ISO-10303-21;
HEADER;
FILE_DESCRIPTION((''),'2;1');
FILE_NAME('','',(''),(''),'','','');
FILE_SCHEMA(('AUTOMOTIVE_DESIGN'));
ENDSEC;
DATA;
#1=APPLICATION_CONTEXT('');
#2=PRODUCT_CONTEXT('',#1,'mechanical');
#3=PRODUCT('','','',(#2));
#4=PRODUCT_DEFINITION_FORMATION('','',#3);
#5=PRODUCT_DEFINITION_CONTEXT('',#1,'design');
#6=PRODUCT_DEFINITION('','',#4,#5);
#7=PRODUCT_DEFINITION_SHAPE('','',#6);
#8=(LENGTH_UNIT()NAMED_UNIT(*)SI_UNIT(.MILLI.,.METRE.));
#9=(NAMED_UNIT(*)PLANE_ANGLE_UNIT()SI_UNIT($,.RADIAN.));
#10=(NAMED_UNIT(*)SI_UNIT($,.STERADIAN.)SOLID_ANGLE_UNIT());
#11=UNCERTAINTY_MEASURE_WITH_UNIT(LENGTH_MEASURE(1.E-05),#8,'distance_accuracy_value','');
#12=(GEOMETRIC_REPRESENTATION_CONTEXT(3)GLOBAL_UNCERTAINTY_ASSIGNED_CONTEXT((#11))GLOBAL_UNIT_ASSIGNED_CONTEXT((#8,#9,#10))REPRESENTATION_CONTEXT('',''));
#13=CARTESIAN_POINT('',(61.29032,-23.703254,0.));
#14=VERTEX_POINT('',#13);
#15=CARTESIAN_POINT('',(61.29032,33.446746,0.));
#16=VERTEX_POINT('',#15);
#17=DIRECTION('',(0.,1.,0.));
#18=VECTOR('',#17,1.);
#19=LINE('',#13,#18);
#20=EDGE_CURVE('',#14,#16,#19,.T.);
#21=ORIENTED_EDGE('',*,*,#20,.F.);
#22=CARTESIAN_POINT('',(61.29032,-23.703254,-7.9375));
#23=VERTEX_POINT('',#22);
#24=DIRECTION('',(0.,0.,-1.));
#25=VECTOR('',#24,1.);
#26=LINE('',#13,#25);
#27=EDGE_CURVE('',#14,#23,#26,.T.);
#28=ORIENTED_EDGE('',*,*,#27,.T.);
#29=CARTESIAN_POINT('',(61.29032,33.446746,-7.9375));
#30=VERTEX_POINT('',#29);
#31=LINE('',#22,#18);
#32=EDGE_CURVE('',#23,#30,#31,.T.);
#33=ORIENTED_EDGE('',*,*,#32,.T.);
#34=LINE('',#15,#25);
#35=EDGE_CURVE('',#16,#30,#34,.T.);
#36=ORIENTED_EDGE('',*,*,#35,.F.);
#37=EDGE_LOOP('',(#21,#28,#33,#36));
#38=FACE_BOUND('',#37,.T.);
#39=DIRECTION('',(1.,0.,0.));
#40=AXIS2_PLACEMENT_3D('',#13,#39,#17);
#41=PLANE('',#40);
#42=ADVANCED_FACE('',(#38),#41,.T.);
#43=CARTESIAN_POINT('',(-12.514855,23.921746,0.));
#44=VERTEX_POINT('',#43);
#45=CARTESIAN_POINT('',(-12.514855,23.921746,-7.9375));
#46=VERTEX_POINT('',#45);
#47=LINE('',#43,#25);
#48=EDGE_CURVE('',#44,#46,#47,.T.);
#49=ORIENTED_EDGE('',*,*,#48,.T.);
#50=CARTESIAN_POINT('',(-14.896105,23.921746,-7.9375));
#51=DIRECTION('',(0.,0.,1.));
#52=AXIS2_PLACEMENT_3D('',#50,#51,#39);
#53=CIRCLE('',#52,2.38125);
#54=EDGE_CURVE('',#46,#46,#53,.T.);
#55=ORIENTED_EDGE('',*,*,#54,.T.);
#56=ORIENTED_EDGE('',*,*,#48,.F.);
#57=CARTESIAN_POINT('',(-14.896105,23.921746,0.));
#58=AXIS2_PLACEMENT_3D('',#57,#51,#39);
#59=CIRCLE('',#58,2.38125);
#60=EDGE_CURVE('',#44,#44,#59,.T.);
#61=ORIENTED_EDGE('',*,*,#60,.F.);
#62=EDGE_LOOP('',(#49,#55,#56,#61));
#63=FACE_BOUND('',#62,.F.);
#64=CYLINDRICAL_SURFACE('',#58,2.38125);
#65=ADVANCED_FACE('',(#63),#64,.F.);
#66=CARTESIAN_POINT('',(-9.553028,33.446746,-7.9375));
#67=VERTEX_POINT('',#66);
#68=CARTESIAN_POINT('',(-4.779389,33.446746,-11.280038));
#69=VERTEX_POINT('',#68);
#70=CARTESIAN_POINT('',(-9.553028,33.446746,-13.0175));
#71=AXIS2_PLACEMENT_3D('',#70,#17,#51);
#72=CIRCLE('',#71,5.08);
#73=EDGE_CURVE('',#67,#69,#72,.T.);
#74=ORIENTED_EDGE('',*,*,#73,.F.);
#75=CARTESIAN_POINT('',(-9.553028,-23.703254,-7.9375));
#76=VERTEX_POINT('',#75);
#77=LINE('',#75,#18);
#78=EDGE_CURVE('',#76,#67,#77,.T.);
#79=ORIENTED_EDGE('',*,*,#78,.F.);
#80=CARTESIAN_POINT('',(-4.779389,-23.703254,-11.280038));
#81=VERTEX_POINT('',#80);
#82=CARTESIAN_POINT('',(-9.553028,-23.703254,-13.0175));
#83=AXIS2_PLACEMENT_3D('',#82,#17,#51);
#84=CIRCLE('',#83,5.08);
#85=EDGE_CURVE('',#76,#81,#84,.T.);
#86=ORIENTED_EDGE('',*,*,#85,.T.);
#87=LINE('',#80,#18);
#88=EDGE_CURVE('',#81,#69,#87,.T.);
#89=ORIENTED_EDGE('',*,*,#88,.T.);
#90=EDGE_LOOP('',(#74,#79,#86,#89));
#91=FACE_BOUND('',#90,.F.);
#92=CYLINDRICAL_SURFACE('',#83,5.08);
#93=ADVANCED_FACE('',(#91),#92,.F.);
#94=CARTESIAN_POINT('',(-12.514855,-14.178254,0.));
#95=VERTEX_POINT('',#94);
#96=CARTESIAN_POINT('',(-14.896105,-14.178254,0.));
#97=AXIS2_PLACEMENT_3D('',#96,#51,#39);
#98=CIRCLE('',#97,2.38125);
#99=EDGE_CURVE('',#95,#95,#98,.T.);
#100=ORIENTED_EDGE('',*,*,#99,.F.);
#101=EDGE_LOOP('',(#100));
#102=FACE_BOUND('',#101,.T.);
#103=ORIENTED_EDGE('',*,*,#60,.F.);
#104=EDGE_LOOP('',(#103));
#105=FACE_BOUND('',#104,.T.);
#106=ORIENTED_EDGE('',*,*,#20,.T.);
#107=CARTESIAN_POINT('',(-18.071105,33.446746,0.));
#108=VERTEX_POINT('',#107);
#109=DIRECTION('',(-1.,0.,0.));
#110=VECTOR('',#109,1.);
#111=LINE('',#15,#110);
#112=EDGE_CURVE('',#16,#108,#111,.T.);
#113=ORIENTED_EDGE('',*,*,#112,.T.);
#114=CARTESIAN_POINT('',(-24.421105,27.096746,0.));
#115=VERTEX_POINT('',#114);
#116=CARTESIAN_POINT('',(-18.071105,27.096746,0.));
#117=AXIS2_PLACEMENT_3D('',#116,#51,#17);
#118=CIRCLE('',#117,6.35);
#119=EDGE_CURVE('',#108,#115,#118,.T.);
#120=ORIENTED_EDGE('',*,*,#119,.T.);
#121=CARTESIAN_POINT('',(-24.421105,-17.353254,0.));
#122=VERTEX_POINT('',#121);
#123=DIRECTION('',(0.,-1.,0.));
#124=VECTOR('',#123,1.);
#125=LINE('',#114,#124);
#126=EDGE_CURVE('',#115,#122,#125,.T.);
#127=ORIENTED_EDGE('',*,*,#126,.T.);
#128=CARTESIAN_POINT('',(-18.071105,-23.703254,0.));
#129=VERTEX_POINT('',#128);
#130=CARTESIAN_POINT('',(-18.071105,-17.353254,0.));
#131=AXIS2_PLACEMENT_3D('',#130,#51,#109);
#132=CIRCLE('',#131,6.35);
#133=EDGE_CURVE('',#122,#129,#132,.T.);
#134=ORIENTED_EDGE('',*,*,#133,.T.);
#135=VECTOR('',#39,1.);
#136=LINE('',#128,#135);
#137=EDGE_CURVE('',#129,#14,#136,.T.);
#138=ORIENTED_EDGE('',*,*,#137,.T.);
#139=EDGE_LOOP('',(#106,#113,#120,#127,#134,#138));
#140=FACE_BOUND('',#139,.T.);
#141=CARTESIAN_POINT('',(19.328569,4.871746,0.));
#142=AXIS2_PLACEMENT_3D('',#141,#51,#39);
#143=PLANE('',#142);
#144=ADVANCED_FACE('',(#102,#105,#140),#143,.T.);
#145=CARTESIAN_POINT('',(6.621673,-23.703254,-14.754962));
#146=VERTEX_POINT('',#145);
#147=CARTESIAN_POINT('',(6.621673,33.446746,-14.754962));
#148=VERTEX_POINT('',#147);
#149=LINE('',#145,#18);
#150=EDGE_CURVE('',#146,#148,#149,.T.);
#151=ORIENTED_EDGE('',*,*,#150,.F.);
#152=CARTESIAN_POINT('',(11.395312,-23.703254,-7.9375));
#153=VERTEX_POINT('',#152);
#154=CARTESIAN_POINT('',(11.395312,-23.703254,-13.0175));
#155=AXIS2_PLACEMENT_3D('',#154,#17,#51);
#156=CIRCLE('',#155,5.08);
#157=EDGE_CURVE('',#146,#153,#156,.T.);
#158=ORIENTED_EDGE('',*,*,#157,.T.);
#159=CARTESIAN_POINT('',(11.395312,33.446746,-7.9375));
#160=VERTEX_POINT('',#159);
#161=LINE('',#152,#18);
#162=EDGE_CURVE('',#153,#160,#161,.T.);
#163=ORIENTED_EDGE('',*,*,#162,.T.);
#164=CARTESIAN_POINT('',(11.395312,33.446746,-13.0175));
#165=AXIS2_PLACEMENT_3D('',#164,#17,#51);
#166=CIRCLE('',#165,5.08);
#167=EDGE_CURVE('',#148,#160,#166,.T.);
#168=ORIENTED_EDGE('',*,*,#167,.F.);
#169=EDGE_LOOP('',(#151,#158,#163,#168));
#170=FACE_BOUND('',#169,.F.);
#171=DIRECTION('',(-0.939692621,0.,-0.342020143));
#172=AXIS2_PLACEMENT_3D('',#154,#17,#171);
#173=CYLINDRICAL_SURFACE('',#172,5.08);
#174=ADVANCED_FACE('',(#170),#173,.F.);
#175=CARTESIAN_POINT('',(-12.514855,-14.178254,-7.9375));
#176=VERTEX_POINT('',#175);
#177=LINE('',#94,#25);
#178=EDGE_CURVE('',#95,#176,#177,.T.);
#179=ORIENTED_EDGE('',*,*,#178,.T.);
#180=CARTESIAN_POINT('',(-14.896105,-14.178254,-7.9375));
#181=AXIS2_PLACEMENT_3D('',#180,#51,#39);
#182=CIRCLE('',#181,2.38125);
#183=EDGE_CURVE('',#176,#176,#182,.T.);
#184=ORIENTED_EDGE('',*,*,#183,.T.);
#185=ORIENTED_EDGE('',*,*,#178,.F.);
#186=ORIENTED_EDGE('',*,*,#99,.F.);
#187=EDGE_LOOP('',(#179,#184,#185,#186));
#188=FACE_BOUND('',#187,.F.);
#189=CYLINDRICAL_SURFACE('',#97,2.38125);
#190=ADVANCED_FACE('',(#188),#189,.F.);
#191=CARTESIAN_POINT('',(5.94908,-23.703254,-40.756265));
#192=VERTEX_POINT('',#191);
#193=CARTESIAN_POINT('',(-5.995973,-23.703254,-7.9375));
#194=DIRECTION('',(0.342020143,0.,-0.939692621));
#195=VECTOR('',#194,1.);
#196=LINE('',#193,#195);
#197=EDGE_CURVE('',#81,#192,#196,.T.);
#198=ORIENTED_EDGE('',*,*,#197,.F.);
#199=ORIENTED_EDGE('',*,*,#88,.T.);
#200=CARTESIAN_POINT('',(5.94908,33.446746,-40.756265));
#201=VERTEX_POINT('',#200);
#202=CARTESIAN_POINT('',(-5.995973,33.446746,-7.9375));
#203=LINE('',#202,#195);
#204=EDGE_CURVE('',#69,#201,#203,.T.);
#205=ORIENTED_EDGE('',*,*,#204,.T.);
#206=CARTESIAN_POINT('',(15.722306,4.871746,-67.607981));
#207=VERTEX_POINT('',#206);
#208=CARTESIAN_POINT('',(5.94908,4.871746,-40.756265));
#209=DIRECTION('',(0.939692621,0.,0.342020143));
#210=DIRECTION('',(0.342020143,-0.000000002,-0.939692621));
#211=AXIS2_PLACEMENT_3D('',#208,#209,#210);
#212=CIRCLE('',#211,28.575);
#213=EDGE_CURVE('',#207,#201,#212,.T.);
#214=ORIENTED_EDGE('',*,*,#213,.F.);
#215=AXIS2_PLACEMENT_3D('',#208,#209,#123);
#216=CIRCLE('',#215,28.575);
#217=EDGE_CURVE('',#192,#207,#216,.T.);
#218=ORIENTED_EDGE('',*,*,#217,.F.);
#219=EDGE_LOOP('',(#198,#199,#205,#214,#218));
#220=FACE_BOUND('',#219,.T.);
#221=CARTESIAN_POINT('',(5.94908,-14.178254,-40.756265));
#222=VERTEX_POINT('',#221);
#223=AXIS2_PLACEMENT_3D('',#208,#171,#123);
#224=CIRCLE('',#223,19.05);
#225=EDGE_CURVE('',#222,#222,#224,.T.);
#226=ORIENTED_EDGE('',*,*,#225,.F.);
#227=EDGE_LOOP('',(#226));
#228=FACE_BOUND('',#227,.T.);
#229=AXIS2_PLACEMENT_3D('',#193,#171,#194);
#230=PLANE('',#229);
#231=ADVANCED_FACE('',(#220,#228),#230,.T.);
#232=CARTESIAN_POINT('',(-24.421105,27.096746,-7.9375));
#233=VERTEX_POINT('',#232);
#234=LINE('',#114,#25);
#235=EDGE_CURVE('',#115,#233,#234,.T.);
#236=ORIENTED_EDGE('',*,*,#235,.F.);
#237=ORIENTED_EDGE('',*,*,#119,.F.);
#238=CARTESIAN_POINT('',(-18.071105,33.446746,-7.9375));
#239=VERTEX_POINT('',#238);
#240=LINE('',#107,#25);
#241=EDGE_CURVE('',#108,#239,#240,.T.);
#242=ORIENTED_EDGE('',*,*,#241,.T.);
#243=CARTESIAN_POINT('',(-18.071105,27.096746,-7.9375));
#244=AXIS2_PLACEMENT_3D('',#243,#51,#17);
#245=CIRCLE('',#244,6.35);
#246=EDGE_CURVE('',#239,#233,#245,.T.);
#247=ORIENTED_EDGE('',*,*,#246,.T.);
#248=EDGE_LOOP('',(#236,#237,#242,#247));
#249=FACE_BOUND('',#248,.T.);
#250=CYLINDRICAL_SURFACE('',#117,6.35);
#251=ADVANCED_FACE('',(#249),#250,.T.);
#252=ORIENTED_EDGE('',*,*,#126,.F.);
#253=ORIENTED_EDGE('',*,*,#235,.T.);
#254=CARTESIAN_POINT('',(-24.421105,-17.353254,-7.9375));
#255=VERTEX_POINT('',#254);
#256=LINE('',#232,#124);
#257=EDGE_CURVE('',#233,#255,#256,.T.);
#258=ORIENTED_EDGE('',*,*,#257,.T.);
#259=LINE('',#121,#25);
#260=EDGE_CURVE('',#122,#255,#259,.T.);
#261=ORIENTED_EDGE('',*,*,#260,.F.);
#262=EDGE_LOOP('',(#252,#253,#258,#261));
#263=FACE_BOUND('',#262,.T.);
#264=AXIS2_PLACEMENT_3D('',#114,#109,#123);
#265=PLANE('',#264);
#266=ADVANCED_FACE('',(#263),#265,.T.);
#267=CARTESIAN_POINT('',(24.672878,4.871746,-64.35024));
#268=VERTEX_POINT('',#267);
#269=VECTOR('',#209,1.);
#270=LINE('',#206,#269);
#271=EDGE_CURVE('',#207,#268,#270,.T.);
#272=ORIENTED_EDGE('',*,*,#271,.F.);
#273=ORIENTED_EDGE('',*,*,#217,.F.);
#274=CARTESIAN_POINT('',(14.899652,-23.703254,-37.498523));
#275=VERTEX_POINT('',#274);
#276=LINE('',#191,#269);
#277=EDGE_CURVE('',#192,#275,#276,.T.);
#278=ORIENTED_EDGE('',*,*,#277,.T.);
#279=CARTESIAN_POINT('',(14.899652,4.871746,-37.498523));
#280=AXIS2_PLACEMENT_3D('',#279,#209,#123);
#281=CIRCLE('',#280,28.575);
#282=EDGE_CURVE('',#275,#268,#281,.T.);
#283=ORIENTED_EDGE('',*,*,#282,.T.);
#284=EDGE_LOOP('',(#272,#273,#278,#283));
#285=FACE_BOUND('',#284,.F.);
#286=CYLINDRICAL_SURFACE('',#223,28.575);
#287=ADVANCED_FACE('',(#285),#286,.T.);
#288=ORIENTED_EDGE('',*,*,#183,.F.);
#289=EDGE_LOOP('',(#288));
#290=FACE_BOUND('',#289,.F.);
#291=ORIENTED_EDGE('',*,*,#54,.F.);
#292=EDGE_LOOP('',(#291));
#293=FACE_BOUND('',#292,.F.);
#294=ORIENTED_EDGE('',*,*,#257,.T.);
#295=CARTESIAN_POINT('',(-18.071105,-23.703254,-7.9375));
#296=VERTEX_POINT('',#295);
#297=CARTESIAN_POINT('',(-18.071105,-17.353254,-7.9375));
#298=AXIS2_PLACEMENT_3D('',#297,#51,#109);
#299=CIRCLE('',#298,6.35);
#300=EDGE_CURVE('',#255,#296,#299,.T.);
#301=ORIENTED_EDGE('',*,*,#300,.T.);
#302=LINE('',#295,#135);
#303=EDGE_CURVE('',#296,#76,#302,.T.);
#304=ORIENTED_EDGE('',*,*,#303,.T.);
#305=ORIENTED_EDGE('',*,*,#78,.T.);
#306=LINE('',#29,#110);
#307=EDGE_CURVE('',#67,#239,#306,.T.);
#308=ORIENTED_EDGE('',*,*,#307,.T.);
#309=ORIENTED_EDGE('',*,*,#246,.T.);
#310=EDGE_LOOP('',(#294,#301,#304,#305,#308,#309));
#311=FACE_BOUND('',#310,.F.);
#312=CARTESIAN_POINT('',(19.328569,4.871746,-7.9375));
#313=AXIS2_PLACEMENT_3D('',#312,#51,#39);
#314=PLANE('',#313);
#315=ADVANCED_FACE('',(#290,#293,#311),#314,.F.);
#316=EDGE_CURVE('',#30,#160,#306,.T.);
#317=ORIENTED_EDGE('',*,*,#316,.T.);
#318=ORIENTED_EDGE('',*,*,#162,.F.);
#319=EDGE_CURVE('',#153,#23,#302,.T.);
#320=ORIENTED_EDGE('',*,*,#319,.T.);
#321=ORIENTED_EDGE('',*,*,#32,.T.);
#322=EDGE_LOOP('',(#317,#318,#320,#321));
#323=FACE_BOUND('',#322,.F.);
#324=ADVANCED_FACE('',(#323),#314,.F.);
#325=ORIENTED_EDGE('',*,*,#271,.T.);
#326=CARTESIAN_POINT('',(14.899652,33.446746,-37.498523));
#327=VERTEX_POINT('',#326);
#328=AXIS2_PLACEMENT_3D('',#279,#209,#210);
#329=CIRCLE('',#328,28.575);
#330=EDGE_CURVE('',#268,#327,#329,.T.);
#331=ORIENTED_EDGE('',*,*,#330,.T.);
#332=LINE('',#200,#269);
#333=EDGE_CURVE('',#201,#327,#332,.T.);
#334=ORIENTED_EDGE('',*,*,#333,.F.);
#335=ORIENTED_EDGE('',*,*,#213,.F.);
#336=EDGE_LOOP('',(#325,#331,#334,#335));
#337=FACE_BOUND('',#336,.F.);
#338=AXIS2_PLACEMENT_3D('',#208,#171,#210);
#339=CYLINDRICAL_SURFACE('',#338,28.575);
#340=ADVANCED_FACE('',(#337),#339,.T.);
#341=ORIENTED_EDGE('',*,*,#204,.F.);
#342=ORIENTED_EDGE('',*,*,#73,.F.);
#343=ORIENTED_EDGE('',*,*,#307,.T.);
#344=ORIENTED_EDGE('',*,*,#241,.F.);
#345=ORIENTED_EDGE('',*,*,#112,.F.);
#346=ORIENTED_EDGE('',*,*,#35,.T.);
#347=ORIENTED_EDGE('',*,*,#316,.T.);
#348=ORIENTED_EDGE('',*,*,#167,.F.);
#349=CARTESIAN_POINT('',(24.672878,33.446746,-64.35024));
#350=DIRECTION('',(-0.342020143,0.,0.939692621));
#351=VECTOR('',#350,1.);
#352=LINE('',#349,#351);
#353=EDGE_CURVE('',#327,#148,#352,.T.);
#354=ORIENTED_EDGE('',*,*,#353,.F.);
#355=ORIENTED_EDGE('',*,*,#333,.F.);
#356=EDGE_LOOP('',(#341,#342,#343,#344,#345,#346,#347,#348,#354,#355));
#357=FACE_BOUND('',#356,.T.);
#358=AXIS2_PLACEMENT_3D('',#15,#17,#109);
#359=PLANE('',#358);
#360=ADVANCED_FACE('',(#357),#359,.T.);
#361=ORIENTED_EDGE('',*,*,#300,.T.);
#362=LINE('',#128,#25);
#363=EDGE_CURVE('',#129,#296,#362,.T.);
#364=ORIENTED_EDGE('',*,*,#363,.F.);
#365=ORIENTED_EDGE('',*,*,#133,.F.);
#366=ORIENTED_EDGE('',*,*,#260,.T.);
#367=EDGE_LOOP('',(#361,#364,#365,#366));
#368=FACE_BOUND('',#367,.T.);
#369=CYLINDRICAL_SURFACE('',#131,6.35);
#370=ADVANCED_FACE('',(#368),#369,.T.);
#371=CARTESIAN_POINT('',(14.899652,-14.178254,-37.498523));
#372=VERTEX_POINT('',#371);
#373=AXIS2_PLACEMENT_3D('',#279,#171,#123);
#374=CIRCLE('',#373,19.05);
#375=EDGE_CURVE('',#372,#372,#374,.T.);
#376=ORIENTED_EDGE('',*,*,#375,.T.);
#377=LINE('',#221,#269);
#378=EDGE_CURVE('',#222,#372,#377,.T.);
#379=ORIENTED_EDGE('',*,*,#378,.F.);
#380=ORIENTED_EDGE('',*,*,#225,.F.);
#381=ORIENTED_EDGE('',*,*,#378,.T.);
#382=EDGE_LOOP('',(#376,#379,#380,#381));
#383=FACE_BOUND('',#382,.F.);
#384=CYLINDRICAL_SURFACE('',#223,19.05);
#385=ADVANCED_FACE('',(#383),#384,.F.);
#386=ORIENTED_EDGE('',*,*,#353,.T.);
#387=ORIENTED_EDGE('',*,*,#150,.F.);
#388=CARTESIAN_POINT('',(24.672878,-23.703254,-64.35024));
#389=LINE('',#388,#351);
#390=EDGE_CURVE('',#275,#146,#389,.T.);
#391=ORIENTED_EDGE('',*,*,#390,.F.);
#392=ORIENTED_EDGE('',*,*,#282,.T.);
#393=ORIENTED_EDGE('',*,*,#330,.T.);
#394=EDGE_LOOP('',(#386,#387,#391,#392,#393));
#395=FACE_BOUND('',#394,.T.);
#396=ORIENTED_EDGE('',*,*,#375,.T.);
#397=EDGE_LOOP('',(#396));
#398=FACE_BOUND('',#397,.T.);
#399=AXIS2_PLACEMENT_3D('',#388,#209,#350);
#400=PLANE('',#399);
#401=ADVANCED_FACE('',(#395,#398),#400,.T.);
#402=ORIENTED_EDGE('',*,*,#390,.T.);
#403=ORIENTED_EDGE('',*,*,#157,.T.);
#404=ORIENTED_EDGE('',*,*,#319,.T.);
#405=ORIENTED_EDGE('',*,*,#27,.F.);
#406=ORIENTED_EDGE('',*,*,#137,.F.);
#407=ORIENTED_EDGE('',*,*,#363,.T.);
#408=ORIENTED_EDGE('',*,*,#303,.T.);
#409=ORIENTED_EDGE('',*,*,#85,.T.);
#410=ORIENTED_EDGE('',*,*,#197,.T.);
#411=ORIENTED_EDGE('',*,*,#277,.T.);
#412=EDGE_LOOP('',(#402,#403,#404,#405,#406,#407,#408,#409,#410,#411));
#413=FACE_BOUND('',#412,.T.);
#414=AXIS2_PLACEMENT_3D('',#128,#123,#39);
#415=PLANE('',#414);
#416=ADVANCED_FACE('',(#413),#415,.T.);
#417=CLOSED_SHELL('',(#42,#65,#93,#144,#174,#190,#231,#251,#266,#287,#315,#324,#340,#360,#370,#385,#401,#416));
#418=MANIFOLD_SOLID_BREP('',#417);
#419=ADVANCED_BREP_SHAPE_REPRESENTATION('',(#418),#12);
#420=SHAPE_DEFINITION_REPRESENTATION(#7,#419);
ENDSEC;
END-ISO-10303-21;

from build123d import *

# Parameters (mm, degrees)
F0_R     = 2.38125
F1_DEPTH = 7.9375
F3_DEPTH = 57.15
F4_R     = 19.05
F5_DEPTH = 9.525
F6_R     = 5.08


with BuildPart() as f1:
    # F0 (on Top) → F1 (new body)
    with BuildSketch(Plane.XY):
        with BuildLine():
            ThreePointArc((-18.0711051613, 33.4467460997), (-22.5612332218, 31.5868741602), (-24.4211051613, 27.0967460997))
            Line((-24.4211051613, 27.0967460997), (-24.4211051613, -17.3532539003))
            ThreePointArc((-24.4211051613, -17.3532539003), (-22.5612332218, -21.8433819608), (-18.0711051613, -23.7032539003))
            Line((-18.0711051613, -23.7032539003), (61.290320009, -23.7032539003))
            Line((61.290320009, -23.7032539003), (61.290320009, 33.4467460997))
            Line((61.290320009, 33.4467460997), (-18.0711051613, 33.4467460997))
        make_face()
        with Locations((-14.8961051613, -14.1782539003)):
            Circle(F0_R, mode=Mode.SUBTRACT)
        with Locations((-14.8961051613, 23.9217460997)):
            Circle(F0_R, mode=Mode.SUBTRACT)
    extrude(amount=-F1_DEPTH)

    # F2 (on face) → F3 (join)
    with BuildSketch(Plane.XZ.offset(23.7032539003)):
        Polygon((4.140320009, -7.9375), (-5.9959732738, -7.9375), (15.7223058273, -67.6079814199), (24.6728780403, -64.3502395547), align=None)
    extrude(amount=-F3_DEPTH)

    # F4 (on face) → F5 (cut, through all)
    with BuildSketch(Plane(origin=(-7.8456409666, 0, -2.8555797806), x_dir=(0, -1, 0), z_dir=(-0.9396926208, 0, -0.3420201433))):
        with Locations((-4.8717460997, -40.333066539)):
            Circle(F4_R)
        with BuildLine():
            ThreePointArc((-4.8717460546, -68.908066539), (-25.0773223561, -60.5386428273), (-33.4467460997, -40.333066539))
            Line((-33.4467460997, -40.333066539), (-33.4467460997, -68.908066539))
            Line((-33.4467460997, -68.908066539), (-4.8717460546, -68.908066539))
        make_face()
        with BuildLine():
            ThreePointArc((23.7032539003, -40.333066539), (15.3338301887, -60.5386427955), (-4.8717460546, -68.908066539))
            Line((-4.8717460546, -68.908066539), (23.7032539003, -68.908066539))
            Line((23.7032539003, -68.908066539), (23.7032539003, -40.333066539))
        make_face()
    extrude(amount=-F5_DEPTH, mode=Mode.SUBTRACT)

    # F6
    f6_edges = [f1.edges().sort_by_distance(p)[0] for p in [
        (-5.995973, 4.871746, -7.9375),
        (4.14032, 4.871746, -7.9375),
    ]]
    fillet(f6_edges, radius=F6_R)


solid = f1.part
